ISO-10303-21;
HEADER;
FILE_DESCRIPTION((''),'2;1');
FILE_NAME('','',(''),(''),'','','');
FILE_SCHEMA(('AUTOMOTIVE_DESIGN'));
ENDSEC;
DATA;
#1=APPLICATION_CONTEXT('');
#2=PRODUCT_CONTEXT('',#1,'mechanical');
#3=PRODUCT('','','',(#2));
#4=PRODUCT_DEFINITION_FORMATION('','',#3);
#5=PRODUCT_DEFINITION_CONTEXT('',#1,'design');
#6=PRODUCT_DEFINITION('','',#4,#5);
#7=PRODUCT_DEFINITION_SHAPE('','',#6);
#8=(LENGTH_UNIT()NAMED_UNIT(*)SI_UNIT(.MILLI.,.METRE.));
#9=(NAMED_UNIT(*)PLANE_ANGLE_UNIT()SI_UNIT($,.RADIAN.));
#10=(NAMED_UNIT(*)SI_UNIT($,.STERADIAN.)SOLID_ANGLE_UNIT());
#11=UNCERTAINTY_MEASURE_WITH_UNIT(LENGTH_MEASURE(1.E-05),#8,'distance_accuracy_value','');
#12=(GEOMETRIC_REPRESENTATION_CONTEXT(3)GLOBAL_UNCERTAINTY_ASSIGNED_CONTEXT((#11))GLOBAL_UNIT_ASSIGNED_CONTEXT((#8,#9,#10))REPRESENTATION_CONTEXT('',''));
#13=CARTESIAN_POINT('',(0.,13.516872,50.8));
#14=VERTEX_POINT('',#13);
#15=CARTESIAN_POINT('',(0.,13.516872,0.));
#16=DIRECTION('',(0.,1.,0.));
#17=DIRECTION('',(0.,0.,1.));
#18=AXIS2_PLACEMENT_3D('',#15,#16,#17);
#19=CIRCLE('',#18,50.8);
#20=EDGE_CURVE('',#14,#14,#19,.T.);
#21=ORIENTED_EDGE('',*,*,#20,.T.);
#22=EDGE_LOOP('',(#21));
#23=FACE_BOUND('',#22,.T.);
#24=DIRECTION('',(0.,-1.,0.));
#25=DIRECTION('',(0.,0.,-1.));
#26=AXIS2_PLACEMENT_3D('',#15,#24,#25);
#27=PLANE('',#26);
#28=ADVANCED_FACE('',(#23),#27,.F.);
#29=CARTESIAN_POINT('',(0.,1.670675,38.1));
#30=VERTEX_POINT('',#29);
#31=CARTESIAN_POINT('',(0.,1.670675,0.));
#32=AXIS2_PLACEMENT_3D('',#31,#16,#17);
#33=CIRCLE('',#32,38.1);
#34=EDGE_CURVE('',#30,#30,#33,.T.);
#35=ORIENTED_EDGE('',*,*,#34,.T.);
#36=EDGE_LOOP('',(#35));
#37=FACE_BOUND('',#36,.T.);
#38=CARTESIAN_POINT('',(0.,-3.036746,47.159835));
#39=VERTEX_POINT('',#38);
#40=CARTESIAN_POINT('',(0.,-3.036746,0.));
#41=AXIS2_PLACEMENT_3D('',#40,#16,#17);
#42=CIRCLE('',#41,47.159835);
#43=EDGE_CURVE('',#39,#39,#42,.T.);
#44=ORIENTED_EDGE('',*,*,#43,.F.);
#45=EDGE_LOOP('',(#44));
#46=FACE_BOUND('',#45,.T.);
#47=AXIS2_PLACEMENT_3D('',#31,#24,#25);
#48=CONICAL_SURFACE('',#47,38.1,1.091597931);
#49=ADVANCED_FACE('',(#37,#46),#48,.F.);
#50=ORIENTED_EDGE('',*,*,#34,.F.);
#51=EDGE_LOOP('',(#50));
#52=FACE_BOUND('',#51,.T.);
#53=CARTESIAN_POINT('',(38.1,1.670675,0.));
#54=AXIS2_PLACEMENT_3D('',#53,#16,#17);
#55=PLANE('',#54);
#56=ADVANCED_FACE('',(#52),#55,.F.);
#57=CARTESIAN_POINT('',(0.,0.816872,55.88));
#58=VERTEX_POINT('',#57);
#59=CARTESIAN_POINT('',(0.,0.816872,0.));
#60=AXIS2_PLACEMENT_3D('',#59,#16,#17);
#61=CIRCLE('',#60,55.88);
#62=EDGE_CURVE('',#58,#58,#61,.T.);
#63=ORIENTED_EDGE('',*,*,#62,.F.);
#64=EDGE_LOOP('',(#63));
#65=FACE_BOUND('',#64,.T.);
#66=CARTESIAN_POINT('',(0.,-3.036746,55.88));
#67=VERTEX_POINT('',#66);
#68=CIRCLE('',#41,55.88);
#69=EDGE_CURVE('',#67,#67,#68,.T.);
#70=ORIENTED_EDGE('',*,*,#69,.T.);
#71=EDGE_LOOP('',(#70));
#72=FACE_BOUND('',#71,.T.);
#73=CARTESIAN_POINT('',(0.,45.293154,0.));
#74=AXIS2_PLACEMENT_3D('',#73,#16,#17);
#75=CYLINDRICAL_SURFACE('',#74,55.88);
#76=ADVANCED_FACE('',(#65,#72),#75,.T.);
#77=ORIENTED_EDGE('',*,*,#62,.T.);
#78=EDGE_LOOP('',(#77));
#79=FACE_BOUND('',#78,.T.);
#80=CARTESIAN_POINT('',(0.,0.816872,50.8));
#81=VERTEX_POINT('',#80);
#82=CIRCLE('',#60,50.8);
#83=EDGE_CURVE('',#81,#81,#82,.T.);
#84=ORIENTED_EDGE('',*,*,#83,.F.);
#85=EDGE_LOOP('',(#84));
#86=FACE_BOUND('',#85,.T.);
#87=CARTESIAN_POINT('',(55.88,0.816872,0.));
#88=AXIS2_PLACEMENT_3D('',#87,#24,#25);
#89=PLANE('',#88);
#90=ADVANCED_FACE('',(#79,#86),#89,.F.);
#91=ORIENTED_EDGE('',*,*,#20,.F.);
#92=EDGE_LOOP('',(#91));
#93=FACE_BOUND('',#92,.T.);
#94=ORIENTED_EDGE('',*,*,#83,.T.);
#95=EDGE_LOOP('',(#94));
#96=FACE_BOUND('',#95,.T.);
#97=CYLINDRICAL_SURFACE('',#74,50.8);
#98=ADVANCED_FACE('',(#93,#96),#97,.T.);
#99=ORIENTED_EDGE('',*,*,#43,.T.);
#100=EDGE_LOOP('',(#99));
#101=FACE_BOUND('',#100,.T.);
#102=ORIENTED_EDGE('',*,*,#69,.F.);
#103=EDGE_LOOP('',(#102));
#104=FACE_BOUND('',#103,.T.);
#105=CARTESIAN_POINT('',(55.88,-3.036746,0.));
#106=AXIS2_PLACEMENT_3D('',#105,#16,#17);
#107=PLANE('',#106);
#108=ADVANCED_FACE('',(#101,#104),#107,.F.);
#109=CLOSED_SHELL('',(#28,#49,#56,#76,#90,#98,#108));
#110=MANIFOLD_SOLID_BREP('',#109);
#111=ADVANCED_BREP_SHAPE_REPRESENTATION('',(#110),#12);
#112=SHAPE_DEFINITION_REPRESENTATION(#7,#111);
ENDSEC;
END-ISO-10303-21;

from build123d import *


with BuildPart() as part:
    # Sketch1 → Revolve1 (revolve)
    with BuildSketch(Plane.XY):
        Polygon((0, 13.516872382), (50.8, 13.516872382), (50.8, 0.816872382), (55.88, 0.816872382), (55.88, -3.036746306), (47.15983465, -3.036746306), (38.1, 1.670674941), (0, 1.670674941), align=None)
    revolve(axis=Axis((0, 45.293153527, 0), (0, -1, 0)))


solid = part.part
